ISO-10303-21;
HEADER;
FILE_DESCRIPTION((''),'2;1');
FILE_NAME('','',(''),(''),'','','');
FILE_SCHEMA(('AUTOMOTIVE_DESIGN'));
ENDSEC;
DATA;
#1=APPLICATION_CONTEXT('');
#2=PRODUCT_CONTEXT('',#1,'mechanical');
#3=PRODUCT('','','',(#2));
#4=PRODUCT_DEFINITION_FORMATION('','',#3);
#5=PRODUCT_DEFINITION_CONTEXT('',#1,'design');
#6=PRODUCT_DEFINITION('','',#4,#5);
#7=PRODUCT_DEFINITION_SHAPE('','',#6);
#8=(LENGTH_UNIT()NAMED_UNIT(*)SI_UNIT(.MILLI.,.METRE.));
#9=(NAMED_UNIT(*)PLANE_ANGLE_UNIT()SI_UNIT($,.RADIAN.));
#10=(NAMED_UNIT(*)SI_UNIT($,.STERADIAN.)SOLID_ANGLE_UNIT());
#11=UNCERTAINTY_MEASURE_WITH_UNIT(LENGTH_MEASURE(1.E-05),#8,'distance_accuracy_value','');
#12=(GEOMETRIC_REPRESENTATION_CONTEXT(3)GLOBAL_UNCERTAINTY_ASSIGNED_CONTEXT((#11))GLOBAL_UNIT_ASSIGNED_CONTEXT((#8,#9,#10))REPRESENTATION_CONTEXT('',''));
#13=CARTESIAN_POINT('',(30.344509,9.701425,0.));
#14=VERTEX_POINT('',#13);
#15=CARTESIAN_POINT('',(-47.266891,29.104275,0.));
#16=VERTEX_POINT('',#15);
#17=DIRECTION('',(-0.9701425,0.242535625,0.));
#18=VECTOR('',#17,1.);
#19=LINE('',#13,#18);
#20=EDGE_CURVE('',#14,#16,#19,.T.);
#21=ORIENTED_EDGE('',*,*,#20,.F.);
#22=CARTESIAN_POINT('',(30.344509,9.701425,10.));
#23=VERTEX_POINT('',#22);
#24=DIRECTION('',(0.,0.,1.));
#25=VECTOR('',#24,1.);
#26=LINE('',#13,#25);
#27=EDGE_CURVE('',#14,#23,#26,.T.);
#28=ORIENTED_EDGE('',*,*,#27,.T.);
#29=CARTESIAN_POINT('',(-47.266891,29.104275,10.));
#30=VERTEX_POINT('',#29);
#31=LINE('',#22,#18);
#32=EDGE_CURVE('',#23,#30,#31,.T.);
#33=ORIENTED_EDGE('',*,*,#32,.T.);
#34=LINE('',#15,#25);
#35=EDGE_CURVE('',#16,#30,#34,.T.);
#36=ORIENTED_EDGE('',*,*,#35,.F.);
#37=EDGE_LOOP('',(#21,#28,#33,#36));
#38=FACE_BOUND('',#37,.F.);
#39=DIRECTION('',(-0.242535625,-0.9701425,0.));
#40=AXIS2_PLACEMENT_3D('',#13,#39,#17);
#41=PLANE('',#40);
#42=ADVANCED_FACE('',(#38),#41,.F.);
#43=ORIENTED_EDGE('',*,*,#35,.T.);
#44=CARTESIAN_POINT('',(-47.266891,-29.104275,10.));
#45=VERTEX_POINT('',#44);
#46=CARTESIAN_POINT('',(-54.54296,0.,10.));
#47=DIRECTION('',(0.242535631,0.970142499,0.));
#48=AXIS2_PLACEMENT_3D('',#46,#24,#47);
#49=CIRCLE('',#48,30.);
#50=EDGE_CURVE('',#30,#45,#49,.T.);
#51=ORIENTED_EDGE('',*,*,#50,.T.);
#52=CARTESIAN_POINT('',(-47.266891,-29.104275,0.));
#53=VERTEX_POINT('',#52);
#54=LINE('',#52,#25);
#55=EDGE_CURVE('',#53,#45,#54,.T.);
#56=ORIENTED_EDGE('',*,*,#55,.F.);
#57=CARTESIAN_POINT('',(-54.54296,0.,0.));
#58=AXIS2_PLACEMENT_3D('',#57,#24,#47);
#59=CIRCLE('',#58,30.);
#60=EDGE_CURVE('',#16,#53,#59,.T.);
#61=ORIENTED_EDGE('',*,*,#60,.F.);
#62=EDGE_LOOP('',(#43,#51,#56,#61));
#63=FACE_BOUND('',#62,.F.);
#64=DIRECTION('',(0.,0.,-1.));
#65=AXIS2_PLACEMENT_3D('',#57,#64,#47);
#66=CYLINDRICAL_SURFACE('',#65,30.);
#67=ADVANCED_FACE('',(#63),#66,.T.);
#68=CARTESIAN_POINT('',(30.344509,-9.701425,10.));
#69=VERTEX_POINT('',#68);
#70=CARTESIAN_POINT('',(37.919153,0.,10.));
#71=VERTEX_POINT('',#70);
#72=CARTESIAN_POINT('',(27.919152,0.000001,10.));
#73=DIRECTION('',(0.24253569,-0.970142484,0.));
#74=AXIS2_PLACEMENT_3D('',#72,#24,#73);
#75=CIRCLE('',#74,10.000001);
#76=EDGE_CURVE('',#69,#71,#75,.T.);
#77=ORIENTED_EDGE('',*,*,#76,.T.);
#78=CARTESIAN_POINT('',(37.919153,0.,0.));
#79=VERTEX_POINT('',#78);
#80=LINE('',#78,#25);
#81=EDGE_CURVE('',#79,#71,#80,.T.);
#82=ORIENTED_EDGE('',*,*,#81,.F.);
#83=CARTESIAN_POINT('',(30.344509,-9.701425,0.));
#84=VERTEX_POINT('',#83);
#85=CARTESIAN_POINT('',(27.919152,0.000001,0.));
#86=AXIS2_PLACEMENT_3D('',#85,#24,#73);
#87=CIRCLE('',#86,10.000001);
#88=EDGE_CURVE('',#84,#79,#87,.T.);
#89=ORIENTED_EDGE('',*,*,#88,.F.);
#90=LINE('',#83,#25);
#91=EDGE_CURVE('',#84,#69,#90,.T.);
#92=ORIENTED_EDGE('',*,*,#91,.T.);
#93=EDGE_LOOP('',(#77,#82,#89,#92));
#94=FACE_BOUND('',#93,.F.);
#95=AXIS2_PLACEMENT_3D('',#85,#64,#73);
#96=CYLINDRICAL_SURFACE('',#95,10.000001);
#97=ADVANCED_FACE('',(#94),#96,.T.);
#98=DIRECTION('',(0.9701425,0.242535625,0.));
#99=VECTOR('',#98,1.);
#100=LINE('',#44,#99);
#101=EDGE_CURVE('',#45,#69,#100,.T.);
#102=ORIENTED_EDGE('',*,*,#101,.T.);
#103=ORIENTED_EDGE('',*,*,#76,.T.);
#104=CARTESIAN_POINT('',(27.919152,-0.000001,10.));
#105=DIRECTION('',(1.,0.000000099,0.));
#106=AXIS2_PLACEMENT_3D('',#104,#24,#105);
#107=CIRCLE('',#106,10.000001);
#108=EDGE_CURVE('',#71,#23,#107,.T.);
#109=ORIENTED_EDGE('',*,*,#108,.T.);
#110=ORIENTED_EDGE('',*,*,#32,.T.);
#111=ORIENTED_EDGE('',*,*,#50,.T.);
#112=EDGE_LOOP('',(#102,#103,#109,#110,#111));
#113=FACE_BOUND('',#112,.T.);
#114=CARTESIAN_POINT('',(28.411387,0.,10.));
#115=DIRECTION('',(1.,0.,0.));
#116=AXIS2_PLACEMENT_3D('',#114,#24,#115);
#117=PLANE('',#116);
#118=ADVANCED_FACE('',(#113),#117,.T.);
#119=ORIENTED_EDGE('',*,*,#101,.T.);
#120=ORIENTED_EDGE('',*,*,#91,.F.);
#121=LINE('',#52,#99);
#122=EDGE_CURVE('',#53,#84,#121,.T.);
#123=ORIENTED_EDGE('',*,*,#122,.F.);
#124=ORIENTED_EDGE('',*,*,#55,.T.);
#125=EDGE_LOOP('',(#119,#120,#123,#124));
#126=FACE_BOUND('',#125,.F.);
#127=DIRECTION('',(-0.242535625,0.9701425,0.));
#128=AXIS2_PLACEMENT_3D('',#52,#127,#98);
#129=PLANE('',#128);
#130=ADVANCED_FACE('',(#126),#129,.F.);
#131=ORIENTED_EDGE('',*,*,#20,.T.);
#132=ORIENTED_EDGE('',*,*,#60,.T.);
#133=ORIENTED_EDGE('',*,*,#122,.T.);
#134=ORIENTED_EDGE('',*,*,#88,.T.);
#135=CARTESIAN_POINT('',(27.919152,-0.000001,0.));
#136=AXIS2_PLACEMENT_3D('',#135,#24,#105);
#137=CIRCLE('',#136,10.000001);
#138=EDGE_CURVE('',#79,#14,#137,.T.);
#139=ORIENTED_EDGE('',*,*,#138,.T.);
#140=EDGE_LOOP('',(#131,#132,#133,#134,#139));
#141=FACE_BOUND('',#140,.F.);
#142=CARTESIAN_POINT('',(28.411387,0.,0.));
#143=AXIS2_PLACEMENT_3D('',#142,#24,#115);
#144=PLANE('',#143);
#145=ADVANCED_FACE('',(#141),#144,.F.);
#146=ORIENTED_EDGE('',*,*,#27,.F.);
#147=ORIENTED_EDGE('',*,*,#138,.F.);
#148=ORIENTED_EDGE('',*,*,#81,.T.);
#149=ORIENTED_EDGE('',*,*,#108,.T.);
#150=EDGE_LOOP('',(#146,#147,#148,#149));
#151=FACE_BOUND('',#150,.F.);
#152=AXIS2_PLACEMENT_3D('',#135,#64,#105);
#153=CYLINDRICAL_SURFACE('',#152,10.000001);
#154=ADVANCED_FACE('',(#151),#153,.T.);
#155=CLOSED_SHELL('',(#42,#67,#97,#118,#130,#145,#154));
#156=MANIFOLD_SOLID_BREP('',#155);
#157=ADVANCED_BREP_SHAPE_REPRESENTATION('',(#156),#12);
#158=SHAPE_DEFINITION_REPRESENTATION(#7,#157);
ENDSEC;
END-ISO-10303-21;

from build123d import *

# Parameters (mm, degrees)
F1_DEPTH = 10


with BuildPart() as f1:
    # F0 (on Top) → F1 (new body)
    with BuildSketch(Plane.XY):
        with BuildLine():
            ThreePointArc((37.919153, 0), (35.801207, 6.154122), (30.344509, 9.701425))
            ThreePointArc((30.344509, 9.701425), (17.919153, 0), (30.344509, -9.701425))
            ThreePointArc((30.344509, -9.701425), (35.801207, -6.154122), (37.919153, 0))
        make_face()
        with BuildLine():
            ThreePointArc((-47.266891, 29.104275), (-30.896797, 18.462366), (-24.54296, 0))
            ThreePointArc((-24.54296, 0), (-30.896797, -18.462366), (-47.266891, -29.104275))
            Line((-47.266891, -29.104275), (30.344509, -9.701425))
            ThreePointArc((30.344509, -9.701425), (17.919153, 0), (30.344509, 9.701425))
            Line((30.344509, 9.701425), (-47.266891, 29.104275))
        make_face()
        with BuildLine():
            ThreePointArc((-47.266891, -29.104275), (-30.896797, -18.462366), (-24.54296, 0))
            ThreePointArc((-24.54296, 0), (-30.896797, 18.462366), (-47.266891, 29.104275))
            ThreePointArc((-47.266891, 29.104275), (-84.54296, 0), (-47.266891, -29.104275))
        make_face()
    extrude(amount=F1_DEPTH)


solid = f1.part
